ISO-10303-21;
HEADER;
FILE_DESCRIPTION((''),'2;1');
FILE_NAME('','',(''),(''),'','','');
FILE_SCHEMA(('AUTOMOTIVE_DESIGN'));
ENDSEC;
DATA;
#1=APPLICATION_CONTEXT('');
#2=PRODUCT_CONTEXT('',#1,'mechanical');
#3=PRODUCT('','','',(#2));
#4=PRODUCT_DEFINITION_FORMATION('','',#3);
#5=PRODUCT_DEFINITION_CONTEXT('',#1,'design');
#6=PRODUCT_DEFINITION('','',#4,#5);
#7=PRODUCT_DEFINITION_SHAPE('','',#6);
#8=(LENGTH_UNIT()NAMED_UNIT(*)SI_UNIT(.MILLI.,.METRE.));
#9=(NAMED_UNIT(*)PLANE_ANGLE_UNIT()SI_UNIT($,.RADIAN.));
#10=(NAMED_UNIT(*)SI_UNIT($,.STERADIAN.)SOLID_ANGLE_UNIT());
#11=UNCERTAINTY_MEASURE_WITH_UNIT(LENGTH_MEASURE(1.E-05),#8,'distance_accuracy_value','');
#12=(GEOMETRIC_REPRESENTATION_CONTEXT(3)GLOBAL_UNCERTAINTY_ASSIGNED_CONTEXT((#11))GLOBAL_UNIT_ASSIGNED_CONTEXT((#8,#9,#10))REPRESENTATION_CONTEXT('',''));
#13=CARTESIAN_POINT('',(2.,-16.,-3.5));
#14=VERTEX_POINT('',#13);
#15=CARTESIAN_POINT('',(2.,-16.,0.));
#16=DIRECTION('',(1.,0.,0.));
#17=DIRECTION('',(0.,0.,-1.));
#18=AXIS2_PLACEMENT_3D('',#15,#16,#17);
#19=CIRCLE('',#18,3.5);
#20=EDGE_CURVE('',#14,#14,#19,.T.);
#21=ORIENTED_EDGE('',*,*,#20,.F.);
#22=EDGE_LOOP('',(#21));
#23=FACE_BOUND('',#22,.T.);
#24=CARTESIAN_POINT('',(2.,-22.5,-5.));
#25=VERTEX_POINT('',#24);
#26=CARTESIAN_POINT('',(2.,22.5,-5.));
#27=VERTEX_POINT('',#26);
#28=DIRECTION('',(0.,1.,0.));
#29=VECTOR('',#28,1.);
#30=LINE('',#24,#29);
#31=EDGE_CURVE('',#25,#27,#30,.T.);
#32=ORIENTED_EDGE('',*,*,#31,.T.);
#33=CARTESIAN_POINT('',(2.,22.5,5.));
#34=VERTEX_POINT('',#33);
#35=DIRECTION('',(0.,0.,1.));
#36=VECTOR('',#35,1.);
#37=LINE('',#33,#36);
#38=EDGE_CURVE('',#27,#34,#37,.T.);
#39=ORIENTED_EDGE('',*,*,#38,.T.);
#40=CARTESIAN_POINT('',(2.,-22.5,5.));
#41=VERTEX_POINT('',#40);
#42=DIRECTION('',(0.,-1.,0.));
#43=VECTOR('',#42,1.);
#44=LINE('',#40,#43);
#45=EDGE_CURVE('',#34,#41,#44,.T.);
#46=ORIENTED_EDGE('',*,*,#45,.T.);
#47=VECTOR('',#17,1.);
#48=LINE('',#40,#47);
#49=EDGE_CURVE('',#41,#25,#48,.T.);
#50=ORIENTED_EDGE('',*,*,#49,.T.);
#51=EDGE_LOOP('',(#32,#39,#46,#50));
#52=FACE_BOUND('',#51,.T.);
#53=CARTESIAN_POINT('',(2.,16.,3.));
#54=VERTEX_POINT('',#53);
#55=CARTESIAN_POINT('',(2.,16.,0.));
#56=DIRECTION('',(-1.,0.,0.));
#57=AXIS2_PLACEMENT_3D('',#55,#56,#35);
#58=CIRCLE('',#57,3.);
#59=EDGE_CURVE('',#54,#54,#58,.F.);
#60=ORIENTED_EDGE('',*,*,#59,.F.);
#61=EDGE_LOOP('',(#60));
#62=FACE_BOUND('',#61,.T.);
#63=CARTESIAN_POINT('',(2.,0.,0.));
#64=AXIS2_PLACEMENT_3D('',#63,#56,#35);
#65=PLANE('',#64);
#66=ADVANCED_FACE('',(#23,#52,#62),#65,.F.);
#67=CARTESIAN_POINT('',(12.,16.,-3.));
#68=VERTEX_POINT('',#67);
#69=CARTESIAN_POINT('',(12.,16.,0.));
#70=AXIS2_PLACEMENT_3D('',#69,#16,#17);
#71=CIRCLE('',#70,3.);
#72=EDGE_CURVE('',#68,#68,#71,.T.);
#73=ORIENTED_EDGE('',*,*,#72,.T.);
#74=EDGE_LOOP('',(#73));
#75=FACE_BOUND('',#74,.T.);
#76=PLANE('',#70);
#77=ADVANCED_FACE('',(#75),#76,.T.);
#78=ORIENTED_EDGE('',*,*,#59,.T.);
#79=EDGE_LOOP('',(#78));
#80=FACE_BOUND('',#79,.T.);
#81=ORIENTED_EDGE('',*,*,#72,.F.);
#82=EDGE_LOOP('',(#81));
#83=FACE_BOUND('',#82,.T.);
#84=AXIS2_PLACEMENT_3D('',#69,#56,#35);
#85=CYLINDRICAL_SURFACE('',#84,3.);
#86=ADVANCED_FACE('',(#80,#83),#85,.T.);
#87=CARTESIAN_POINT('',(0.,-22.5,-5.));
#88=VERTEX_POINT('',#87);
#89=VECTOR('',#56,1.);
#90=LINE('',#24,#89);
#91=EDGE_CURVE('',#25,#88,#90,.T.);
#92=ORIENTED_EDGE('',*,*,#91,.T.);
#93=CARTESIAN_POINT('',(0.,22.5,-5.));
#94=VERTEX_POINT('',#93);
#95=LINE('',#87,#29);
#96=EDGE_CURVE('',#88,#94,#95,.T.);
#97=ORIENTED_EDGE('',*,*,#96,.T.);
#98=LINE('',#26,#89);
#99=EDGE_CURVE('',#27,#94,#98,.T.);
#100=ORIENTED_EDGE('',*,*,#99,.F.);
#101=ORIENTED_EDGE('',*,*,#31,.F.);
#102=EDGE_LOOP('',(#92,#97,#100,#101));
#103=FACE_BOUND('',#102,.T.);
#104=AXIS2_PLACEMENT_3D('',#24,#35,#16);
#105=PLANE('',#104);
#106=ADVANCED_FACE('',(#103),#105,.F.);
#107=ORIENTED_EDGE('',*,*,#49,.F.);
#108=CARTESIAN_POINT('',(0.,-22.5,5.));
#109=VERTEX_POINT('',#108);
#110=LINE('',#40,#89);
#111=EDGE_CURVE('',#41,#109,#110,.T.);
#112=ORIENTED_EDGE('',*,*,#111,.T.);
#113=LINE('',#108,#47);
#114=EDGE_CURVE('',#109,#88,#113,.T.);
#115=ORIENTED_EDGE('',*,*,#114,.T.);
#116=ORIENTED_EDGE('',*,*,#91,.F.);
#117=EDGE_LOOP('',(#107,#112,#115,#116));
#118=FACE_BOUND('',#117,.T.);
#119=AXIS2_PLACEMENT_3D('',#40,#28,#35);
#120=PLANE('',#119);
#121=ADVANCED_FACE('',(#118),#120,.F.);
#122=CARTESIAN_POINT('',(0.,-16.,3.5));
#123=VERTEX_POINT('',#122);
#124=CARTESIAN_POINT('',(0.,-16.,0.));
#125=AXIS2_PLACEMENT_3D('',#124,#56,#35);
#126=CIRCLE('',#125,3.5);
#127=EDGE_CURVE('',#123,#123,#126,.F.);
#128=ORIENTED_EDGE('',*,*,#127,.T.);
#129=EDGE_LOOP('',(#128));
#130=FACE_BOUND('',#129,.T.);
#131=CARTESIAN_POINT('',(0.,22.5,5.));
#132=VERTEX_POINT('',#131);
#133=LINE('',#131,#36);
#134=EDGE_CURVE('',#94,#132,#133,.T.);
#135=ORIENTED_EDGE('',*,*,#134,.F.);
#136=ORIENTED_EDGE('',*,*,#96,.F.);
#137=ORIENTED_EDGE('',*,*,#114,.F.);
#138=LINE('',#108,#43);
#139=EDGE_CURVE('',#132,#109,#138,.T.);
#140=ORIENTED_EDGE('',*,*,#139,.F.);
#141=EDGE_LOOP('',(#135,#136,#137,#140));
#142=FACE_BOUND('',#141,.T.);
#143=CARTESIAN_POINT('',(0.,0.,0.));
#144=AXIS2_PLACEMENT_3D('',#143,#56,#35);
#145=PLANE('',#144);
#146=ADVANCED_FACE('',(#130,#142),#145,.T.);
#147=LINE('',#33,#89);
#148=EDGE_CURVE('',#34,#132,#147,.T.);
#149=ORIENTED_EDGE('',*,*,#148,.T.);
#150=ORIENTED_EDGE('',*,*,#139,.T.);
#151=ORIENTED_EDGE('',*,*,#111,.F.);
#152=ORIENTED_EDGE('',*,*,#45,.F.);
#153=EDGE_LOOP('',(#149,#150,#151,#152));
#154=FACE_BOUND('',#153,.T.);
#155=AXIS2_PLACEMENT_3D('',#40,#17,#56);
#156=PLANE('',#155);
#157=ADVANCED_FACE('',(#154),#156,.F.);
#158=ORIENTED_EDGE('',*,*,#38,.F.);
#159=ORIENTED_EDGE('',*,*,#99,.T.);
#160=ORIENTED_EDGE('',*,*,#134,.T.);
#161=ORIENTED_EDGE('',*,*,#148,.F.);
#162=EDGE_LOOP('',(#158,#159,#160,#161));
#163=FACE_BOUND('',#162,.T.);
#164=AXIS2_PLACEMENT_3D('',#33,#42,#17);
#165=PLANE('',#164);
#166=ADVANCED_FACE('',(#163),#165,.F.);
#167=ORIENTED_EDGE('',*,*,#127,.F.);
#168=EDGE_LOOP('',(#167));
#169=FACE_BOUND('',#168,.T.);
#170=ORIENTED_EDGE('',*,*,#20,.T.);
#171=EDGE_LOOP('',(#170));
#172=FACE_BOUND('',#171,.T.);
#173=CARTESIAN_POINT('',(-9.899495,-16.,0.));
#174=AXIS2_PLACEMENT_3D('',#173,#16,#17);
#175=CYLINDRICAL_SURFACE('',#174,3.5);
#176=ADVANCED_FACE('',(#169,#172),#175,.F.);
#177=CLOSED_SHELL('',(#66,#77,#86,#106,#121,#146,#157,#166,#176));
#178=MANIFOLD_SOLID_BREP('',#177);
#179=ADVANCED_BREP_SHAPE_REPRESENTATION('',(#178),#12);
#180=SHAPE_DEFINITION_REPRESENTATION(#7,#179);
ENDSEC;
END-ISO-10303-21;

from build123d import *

# Parameters (mm, degrees)
SKETCH1_W           = 10
SKETCH1_H           = 45
BOSS_EXTRUDE1_DEPTH = 2
SKETCH2_R           = 3.5
CUT_EXTRUDE1_DEPTH  = 2
SKETCH3_R           = 3
BOSS_EXTRUDE2_DEPTH = 10


with BuildPart() as part:
    # Sketch1 → Boss-Extrude1 (new body)
    with BuildSketch(Plane(origin=(0, 0, 0), x_dir=(0, 0, -1), z_dir=(1, 0, 0))):
        Rectangle(SKETCH1_W, SKETCH1_H)
    extrude(amount=BOSS_EXTRUDE1_DEPTH)

    # Sketch2 → Cut-Extrude1 (cut)
    with BuildSketch(Plane(origin=(2, 0, 0), x_dir=(0, 0, -1), z_dir=(1, 0, 0))):
        with Locations((0, -16)):
            Circle(SKETCH2_R)
    extrude(amount=-CUT_EXTRUDE1_DEPTH, mode=Mode.SUBTRACT)

    # Sketch3 → Boss-Extrude2 (add)
    with BuildSketch(Plane(origin=(2, 0, 0), x_dir=(0, 0, -1), z_dir=(1, 0, 0))):
        with Locations((0, 16)):
            Circle(SKETCH3_R)
    extrude(amount=BOSS_EXTRUDE2_DEPTH)


solid = part.part
